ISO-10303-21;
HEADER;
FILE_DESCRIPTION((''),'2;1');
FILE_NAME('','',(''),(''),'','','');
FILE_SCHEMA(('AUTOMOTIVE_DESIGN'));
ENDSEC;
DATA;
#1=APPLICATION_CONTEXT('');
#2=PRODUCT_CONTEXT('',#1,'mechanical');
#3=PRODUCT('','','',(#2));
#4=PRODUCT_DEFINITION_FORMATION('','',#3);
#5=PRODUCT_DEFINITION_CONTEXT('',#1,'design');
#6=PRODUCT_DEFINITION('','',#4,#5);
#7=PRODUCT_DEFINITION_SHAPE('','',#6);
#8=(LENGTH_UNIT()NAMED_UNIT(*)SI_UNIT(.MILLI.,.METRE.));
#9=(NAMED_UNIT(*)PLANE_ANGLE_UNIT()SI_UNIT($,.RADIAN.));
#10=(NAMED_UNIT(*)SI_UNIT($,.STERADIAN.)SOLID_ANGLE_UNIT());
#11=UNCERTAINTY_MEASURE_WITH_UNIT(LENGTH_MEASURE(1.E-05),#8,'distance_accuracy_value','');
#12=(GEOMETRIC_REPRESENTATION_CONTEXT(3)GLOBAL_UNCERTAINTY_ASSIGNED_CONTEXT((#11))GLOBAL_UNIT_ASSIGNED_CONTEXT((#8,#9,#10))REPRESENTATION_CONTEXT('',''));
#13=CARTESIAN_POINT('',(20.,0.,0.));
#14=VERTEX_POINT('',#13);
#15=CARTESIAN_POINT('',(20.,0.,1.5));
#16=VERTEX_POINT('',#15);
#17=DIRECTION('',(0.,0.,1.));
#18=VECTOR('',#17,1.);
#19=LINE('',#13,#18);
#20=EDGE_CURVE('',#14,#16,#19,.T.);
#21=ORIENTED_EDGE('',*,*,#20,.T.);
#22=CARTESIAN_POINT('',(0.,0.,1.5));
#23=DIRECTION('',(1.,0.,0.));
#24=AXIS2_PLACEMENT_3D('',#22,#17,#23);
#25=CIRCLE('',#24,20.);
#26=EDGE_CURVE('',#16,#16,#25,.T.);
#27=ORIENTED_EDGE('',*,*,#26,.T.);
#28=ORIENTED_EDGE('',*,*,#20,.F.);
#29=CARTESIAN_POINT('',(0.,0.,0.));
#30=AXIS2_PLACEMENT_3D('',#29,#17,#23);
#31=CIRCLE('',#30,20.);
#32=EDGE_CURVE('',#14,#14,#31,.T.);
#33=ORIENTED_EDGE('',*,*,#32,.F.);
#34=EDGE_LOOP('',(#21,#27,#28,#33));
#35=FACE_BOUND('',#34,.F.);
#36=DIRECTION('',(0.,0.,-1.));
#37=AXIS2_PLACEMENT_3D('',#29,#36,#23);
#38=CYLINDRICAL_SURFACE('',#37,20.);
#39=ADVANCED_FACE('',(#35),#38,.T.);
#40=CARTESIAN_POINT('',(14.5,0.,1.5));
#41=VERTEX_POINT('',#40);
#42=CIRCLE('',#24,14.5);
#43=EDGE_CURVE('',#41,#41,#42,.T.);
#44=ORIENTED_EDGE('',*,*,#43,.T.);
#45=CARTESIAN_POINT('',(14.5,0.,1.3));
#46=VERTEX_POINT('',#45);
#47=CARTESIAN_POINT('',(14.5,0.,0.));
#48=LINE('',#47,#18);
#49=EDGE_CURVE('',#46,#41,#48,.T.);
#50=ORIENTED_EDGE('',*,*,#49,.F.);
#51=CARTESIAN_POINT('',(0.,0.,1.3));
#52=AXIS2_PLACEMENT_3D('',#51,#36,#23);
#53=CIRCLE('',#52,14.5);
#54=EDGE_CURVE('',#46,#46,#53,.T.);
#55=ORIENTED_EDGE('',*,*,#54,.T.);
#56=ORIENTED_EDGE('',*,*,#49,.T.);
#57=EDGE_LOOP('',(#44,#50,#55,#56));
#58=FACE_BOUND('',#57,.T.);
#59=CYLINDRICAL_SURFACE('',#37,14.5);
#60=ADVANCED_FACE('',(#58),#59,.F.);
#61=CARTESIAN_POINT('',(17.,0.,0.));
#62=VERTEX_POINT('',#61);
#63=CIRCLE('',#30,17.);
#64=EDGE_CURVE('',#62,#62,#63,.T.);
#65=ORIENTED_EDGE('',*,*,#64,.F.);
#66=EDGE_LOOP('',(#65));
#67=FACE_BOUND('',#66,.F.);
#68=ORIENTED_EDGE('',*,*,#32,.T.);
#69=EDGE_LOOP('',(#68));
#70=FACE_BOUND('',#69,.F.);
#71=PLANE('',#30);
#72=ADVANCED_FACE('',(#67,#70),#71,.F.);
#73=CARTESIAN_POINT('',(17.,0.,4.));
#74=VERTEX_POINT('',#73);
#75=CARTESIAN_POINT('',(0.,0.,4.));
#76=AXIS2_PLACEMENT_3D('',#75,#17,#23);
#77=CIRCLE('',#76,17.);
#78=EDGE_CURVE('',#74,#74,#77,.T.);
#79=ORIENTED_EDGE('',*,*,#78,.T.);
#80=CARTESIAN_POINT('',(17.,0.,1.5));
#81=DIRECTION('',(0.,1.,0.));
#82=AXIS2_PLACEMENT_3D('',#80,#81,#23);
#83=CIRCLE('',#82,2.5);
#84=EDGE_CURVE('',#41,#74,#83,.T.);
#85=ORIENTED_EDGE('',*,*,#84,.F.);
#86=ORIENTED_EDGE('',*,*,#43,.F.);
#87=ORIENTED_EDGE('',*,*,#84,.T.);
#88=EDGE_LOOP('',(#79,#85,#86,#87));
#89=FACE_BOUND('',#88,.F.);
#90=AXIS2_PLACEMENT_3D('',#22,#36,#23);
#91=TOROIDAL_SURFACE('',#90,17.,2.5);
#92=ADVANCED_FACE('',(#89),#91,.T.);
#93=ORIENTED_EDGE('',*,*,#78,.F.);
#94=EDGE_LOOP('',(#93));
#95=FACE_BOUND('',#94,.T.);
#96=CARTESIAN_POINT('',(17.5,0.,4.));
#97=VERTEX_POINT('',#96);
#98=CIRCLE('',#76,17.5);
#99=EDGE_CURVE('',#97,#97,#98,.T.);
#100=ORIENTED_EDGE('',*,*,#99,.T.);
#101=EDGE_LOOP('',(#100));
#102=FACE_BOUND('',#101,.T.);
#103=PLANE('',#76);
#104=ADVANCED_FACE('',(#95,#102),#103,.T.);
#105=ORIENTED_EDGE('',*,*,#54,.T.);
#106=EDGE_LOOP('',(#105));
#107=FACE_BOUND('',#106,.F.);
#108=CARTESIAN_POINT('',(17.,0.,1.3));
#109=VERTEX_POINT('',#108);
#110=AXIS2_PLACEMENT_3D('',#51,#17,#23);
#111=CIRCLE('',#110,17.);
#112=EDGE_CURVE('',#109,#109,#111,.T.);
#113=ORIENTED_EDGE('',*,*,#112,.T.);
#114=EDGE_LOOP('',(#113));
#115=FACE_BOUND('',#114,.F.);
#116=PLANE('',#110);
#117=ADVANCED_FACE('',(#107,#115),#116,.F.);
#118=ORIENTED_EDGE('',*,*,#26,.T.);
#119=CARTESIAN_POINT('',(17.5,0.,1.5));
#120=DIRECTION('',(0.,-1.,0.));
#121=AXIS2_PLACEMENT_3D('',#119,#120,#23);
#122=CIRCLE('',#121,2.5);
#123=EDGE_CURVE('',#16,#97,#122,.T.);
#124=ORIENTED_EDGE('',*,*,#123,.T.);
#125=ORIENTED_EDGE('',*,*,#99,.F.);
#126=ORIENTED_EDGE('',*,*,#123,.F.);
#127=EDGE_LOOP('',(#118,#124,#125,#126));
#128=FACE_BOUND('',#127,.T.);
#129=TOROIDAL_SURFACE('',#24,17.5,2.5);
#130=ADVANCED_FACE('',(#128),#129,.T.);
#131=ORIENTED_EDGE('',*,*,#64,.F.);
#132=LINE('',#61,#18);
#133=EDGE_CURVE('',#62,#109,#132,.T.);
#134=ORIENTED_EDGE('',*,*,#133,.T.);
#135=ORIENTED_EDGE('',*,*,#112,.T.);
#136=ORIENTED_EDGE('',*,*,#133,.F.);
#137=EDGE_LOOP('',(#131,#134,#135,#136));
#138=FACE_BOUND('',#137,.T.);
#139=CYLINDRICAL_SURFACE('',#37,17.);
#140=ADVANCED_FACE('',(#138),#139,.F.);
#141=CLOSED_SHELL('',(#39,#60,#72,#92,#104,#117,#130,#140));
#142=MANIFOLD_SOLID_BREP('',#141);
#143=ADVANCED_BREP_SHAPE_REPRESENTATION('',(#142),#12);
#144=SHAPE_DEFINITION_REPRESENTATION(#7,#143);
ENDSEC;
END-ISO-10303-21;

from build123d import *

# Parameters (mm, degrees)
F0_R     = 20
F0_R_2   = 14.5
F1_DEPTH = 4
F2_R     = 2.5
F3_R     = 17
F4_DEPTH = 1.3


with BuildPart() as f1:
    # F0 (on Top) → F1 (new body)
    with BuildSketch(Plane.XY):
        Circle(F0_R)
        Circle(F0_R_2, mode=Mode.SUBTRACT)
    extrude(amount=F1_DEPTH)

    # F2
    f2_edges = [f1.edges().sort_by_distance(p)[0] for p in [
        (-14.5, 0, 4),
        (-20, 0, 4),
    ]]
    fillet(f2_edges, radius=F2_R)

    # F3 (on Top) → F4 (cut)
    with BuildSketch(Plane.XY):
        Circle(F3_R)
    extrude(amount=F4_DEPTH, mode=Mode.SUBTRACT)


solid = f1.part
